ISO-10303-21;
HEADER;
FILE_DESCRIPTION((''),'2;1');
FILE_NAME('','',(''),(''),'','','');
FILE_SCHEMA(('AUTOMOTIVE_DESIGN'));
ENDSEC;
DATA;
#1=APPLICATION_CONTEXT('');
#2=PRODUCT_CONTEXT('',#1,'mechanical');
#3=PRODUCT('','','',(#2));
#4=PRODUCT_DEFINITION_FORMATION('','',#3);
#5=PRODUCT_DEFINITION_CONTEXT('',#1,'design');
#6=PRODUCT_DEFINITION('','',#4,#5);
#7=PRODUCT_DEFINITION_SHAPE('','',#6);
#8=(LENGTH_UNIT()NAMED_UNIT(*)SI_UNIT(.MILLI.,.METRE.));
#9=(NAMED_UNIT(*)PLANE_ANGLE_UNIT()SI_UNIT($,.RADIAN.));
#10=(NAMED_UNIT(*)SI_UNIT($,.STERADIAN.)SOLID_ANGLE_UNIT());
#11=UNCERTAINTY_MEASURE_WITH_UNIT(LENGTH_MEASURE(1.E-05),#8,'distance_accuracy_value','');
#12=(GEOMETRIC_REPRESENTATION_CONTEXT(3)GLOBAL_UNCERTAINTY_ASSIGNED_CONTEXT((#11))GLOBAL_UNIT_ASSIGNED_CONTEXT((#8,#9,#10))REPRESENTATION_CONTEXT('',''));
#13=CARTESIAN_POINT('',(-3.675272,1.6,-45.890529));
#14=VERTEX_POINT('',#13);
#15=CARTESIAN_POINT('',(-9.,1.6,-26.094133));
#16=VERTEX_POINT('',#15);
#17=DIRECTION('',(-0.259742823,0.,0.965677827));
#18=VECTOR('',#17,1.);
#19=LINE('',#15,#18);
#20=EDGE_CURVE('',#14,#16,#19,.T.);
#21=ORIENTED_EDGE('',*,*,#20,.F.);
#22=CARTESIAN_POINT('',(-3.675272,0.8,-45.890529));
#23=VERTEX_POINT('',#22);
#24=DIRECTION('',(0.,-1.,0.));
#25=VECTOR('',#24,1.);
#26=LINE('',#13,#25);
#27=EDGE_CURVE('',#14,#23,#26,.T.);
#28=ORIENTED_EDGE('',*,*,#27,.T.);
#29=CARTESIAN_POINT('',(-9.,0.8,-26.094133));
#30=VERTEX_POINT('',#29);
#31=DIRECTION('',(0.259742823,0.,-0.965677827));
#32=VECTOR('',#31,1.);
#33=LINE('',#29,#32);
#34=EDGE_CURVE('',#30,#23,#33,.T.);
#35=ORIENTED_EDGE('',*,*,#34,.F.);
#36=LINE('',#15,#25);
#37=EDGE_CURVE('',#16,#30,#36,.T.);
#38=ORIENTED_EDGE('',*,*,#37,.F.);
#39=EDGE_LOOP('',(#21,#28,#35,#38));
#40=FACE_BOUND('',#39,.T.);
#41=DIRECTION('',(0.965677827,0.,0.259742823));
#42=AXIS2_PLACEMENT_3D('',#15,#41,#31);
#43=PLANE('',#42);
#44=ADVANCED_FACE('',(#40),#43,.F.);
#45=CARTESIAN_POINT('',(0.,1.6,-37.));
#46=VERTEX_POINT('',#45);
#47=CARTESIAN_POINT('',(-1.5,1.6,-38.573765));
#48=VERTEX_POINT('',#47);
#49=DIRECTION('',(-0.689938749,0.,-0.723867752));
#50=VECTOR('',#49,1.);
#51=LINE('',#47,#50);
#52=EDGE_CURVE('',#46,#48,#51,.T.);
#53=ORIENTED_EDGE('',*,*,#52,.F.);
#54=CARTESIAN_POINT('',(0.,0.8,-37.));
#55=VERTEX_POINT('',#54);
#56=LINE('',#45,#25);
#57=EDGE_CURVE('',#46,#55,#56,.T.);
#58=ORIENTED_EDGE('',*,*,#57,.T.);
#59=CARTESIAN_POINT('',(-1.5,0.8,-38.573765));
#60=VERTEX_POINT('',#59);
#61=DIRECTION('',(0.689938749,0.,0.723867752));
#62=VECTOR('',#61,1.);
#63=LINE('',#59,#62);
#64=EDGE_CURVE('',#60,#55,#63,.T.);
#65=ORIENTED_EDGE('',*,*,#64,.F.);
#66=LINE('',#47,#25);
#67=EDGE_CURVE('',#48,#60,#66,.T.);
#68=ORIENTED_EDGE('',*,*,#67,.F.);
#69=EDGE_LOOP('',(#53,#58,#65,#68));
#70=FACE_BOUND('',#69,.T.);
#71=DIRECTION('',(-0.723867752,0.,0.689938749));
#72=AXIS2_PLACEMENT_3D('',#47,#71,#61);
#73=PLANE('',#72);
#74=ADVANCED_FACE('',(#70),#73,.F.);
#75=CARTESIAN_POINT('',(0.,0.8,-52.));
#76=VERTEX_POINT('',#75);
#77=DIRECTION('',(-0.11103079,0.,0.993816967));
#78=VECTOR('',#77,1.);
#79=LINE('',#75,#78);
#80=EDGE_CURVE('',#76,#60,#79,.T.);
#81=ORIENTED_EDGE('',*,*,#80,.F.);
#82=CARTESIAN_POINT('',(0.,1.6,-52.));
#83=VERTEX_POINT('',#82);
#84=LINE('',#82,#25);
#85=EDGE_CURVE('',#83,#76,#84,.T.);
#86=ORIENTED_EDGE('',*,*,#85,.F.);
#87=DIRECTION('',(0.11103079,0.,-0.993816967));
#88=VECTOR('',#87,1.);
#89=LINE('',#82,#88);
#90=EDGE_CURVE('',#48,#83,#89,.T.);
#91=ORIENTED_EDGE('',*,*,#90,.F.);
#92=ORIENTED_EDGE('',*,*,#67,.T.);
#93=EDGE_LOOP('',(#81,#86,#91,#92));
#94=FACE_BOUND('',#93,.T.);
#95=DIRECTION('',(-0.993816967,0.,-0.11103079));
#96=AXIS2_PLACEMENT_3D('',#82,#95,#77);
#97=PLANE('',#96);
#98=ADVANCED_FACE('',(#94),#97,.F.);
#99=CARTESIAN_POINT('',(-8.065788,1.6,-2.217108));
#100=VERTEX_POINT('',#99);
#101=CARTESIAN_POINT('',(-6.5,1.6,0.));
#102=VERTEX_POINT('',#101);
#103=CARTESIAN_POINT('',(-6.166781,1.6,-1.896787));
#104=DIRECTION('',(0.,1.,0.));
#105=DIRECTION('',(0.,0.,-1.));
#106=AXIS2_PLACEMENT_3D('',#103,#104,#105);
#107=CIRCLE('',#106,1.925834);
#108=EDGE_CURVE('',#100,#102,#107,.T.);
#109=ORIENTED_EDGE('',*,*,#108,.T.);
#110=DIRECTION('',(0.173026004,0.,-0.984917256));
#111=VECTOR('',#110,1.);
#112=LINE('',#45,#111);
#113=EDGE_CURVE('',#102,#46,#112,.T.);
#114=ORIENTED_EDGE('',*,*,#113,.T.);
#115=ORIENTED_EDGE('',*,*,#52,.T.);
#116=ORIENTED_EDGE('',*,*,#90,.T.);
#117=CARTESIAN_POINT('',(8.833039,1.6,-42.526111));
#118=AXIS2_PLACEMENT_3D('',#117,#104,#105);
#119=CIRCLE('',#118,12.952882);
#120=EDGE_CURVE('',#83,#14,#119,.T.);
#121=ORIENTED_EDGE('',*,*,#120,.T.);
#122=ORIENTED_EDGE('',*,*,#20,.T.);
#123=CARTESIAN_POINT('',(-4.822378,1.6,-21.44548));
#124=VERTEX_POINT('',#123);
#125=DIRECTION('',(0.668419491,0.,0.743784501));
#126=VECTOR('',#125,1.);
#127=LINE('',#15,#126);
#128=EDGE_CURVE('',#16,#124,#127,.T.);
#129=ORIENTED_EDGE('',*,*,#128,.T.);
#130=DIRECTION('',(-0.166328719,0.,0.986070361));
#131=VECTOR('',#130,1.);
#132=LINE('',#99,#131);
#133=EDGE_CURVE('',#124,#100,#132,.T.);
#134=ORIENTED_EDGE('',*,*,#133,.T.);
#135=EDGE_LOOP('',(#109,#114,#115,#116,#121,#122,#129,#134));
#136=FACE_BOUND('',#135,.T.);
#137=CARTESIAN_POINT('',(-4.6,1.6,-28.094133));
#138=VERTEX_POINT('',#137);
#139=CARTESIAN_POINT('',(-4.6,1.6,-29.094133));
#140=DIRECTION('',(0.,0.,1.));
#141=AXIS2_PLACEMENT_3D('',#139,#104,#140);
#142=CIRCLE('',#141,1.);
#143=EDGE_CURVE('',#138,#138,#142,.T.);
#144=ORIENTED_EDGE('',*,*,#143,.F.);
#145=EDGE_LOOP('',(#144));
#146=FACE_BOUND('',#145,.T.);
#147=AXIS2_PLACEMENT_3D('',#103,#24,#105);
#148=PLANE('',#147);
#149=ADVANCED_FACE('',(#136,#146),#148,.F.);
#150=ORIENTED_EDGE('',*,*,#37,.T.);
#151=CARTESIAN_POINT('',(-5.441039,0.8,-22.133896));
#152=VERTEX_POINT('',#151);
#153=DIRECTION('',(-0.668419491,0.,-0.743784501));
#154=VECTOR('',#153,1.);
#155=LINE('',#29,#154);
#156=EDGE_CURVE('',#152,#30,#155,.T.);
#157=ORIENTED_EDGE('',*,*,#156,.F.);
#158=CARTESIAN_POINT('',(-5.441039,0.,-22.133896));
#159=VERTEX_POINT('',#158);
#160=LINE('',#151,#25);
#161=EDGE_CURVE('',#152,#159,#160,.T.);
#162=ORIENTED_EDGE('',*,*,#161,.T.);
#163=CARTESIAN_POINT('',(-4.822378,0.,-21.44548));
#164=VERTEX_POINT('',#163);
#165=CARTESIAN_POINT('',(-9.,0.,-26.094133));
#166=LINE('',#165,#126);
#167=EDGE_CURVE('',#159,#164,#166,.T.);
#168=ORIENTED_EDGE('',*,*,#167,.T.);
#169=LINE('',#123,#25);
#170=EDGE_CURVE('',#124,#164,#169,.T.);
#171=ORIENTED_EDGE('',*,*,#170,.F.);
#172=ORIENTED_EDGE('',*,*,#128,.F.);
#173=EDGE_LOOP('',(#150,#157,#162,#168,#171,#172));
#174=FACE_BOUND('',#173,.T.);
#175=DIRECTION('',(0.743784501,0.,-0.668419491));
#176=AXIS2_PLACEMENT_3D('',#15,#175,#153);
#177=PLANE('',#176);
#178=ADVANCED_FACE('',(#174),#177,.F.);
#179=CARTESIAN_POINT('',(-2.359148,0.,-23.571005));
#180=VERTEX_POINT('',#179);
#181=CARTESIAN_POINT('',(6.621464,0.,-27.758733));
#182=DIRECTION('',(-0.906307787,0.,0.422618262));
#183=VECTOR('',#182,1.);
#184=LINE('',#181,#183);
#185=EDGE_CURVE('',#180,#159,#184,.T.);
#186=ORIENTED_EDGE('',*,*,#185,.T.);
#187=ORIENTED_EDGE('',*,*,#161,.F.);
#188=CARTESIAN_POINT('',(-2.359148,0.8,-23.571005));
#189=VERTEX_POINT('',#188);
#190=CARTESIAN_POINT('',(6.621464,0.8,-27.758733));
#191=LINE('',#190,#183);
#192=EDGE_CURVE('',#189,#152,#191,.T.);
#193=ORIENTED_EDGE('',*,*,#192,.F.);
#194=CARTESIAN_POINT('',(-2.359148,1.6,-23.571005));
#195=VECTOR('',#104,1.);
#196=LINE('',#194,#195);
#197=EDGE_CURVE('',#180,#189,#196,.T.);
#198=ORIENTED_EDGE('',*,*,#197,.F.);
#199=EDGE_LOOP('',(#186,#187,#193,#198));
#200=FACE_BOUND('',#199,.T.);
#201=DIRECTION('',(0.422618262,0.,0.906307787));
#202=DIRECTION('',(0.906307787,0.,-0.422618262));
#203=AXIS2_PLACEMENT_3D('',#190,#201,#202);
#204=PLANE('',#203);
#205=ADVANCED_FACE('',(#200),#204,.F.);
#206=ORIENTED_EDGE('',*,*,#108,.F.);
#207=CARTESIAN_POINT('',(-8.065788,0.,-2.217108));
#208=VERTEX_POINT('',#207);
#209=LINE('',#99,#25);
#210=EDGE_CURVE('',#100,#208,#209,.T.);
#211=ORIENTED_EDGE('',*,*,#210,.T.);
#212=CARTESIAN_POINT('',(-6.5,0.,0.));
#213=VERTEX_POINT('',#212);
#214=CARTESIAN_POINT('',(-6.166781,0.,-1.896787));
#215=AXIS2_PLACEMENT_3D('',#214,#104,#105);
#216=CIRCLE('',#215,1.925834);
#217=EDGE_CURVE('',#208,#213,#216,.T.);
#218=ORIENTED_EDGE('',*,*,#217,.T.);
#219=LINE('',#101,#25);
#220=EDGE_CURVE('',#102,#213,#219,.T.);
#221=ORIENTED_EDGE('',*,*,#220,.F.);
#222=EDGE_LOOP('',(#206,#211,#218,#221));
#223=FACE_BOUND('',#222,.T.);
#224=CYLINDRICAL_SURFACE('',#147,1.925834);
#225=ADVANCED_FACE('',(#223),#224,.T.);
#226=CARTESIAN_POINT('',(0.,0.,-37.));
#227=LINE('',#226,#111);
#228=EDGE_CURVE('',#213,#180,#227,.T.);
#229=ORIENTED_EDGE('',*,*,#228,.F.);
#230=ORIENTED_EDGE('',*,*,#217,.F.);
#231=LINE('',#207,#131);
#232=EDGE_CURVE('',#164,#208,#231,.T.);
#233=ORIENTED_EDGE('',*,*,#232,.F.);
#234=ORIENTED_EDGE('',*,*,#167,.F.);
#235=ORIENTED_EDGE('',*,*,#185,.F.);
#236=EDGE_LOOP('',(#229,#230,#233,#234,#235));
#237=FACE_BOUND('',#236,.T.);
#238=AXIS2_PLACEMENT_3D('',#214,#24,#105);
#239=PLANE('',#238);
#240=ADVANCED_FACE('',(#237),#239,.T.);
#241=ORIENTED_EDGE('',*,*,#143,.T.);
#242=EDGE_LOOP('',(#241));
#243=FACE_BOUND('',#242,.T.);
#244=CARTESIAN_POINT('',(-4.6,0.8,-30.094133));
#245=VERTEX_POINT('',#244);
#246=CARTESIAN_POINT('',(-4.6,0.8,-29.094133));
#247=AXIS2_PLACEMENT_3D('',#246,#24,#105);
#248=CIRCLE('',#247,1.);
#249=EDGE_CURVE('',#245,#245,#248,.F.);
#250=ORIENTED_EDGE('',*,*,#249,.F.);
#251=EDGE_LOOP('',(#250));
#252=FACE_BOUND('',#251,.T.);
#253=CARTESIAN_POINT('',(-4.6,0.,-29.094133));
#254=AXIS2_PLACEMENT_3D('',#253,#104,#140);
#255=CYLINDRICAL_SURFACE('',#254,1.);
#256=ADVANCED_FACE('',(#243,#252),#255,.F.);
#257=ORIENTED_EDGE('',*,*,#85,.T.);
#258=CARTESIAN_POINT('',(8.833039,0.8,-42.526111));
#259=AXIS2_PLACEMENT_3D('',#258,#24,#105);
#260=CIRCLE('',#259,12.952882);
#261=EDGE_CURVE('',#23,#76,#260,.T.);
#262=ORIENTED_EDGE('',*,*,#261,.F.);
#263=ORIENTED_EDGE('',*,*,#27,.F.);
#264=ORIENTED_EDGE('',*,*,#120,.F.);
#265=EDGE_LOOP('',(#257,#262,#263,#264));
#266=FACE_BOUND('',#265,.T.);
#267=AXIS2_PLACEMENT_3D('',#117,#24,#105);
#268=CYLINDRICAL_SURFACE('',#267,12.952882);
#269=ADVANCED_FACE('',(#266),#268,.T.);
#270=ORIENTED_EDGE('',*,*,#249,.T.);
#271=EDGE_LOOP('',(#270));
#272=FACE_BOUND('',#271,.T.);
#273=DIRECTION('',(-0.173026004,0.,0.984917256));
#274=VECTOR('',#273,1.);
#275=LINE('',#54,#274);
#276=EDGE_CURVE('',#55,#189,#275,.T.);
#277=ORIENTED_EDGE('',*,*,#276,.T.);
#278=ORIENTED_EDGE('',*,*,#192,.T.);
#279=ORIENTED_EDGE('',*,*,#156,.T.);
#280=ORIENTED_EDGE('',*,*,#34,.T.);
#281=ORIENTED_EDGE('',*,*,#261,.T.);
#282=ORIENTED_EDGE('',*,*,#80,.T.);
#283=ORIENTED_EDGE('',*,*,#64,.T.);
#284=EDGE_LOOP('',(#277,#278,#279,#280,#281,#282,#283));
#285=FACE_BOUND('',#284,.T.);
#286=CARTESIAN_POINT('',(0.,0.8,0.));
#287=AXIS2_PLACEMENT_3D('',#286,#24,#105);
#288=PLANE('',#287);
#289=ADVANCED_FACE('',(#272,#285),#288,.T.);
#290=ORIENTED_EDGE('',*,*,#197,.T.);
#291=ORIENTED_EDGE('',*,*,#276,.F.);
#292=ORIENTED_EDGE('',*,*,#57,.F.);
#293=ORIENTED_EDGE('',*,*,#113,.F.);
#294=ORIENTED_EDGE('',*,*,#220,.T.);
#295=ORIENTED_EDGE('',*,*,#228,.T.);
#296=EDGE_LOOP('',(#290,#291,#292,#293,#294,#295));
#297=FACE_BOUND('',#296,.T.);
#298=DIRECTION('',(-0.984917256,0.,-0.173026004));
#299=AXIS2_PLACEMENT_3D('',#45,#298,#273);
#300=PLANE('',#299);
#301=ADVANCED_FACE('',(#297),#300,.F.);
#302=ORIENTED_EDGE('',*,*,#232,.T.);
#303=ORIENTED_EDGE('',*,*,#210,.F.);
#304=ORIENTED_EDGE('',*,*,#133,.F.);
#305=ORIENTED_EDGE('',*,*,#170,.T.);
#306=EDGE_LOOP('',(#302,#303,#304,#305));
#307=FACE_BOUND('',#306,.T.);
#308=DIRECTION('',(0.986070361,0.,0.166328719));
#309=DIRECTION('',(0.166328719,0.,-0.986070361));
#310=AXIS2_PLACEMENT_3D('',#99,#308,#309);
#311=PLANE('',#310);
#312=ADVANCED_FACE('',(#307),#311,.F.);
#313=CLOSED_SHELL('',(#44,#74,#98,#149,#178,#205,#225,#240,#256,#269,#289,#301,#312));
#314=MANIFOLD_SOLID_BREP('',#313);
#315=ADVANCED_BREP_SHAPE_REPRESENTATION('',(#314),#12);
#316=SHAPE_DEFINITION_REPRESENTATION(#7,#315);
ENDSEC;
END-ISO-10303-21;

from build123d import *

# Parameters (mm, degrees)
BOSS_EXTRUDE1_DEPTH = 1.6
SKETCH2_R           = 1
CUT_EXTRUDE1_DEPTH  = 2.6
CUT_EXTRUDE2_DEPTH  = 0.8


with BuildPart() as part:
    # Sketch1 → Boss-Extrude1 (new body)
    with BuildSketch(Plane(origin=(0, 0, 0), x_dir=(1, 0, 0), z_dir=(0, 1, 0))):
        with BuildLine():
            Line((-9, 26.094133447), (-3.675272118, 45.890528901))
            ThreePointArc((-3.675272118, 45.890528901), (-2.266272493, 49.203119101), (0, 52))
            Line((0, 52), (-1.5, 38.573765251))
            Line((-1.5, 38.573765251), (0, 37))
            Line((0, 37), (-6.5, 0))
            ThreePointArc((-6.5, 0), (-7.739867281, 0.785826002), (-8.065788204, 2.217108271))
            Line((-8.065788204, 2.217108271), (-4.822378182, 21.445480314))
            Line((-4.822378182, 21.445480314), (-9, 26.094133447))
        make_face()
    extrude(amount=BOSS_EXTRUDE1_DEPTH)

    # Sketch2 → Cut-Extrude1 (cut, through all)
    with BuildSketch(Plane(origin=(0, 1.6, 0), x_dir=(1, 0, 0), z_dir=(0, 1, 0))):
        with Locations((-4.6, 29.094133447)):
            Circle(SKETCH2_R)
    extrude(amount=-CUT_EXTRUDE1_DEPTH, mode=Mode.SUBTRACT)

    # Sketch4 → Cut-Extrude2 (cut)
    with BuildSketch(Plane.XZ):
        Polygon((-5.441038935, -22.133895727), (-15.455204314, -22.133895727), (-15.455204314, -68.130413952), (6.621463741, -68.130413952), (6.621463741, -27.758733102), align=None)
    extrude(amount=-CUT_EXTRUDE2_DEPTH, mode=Mode.SUBTRACT)


solid = part.part
